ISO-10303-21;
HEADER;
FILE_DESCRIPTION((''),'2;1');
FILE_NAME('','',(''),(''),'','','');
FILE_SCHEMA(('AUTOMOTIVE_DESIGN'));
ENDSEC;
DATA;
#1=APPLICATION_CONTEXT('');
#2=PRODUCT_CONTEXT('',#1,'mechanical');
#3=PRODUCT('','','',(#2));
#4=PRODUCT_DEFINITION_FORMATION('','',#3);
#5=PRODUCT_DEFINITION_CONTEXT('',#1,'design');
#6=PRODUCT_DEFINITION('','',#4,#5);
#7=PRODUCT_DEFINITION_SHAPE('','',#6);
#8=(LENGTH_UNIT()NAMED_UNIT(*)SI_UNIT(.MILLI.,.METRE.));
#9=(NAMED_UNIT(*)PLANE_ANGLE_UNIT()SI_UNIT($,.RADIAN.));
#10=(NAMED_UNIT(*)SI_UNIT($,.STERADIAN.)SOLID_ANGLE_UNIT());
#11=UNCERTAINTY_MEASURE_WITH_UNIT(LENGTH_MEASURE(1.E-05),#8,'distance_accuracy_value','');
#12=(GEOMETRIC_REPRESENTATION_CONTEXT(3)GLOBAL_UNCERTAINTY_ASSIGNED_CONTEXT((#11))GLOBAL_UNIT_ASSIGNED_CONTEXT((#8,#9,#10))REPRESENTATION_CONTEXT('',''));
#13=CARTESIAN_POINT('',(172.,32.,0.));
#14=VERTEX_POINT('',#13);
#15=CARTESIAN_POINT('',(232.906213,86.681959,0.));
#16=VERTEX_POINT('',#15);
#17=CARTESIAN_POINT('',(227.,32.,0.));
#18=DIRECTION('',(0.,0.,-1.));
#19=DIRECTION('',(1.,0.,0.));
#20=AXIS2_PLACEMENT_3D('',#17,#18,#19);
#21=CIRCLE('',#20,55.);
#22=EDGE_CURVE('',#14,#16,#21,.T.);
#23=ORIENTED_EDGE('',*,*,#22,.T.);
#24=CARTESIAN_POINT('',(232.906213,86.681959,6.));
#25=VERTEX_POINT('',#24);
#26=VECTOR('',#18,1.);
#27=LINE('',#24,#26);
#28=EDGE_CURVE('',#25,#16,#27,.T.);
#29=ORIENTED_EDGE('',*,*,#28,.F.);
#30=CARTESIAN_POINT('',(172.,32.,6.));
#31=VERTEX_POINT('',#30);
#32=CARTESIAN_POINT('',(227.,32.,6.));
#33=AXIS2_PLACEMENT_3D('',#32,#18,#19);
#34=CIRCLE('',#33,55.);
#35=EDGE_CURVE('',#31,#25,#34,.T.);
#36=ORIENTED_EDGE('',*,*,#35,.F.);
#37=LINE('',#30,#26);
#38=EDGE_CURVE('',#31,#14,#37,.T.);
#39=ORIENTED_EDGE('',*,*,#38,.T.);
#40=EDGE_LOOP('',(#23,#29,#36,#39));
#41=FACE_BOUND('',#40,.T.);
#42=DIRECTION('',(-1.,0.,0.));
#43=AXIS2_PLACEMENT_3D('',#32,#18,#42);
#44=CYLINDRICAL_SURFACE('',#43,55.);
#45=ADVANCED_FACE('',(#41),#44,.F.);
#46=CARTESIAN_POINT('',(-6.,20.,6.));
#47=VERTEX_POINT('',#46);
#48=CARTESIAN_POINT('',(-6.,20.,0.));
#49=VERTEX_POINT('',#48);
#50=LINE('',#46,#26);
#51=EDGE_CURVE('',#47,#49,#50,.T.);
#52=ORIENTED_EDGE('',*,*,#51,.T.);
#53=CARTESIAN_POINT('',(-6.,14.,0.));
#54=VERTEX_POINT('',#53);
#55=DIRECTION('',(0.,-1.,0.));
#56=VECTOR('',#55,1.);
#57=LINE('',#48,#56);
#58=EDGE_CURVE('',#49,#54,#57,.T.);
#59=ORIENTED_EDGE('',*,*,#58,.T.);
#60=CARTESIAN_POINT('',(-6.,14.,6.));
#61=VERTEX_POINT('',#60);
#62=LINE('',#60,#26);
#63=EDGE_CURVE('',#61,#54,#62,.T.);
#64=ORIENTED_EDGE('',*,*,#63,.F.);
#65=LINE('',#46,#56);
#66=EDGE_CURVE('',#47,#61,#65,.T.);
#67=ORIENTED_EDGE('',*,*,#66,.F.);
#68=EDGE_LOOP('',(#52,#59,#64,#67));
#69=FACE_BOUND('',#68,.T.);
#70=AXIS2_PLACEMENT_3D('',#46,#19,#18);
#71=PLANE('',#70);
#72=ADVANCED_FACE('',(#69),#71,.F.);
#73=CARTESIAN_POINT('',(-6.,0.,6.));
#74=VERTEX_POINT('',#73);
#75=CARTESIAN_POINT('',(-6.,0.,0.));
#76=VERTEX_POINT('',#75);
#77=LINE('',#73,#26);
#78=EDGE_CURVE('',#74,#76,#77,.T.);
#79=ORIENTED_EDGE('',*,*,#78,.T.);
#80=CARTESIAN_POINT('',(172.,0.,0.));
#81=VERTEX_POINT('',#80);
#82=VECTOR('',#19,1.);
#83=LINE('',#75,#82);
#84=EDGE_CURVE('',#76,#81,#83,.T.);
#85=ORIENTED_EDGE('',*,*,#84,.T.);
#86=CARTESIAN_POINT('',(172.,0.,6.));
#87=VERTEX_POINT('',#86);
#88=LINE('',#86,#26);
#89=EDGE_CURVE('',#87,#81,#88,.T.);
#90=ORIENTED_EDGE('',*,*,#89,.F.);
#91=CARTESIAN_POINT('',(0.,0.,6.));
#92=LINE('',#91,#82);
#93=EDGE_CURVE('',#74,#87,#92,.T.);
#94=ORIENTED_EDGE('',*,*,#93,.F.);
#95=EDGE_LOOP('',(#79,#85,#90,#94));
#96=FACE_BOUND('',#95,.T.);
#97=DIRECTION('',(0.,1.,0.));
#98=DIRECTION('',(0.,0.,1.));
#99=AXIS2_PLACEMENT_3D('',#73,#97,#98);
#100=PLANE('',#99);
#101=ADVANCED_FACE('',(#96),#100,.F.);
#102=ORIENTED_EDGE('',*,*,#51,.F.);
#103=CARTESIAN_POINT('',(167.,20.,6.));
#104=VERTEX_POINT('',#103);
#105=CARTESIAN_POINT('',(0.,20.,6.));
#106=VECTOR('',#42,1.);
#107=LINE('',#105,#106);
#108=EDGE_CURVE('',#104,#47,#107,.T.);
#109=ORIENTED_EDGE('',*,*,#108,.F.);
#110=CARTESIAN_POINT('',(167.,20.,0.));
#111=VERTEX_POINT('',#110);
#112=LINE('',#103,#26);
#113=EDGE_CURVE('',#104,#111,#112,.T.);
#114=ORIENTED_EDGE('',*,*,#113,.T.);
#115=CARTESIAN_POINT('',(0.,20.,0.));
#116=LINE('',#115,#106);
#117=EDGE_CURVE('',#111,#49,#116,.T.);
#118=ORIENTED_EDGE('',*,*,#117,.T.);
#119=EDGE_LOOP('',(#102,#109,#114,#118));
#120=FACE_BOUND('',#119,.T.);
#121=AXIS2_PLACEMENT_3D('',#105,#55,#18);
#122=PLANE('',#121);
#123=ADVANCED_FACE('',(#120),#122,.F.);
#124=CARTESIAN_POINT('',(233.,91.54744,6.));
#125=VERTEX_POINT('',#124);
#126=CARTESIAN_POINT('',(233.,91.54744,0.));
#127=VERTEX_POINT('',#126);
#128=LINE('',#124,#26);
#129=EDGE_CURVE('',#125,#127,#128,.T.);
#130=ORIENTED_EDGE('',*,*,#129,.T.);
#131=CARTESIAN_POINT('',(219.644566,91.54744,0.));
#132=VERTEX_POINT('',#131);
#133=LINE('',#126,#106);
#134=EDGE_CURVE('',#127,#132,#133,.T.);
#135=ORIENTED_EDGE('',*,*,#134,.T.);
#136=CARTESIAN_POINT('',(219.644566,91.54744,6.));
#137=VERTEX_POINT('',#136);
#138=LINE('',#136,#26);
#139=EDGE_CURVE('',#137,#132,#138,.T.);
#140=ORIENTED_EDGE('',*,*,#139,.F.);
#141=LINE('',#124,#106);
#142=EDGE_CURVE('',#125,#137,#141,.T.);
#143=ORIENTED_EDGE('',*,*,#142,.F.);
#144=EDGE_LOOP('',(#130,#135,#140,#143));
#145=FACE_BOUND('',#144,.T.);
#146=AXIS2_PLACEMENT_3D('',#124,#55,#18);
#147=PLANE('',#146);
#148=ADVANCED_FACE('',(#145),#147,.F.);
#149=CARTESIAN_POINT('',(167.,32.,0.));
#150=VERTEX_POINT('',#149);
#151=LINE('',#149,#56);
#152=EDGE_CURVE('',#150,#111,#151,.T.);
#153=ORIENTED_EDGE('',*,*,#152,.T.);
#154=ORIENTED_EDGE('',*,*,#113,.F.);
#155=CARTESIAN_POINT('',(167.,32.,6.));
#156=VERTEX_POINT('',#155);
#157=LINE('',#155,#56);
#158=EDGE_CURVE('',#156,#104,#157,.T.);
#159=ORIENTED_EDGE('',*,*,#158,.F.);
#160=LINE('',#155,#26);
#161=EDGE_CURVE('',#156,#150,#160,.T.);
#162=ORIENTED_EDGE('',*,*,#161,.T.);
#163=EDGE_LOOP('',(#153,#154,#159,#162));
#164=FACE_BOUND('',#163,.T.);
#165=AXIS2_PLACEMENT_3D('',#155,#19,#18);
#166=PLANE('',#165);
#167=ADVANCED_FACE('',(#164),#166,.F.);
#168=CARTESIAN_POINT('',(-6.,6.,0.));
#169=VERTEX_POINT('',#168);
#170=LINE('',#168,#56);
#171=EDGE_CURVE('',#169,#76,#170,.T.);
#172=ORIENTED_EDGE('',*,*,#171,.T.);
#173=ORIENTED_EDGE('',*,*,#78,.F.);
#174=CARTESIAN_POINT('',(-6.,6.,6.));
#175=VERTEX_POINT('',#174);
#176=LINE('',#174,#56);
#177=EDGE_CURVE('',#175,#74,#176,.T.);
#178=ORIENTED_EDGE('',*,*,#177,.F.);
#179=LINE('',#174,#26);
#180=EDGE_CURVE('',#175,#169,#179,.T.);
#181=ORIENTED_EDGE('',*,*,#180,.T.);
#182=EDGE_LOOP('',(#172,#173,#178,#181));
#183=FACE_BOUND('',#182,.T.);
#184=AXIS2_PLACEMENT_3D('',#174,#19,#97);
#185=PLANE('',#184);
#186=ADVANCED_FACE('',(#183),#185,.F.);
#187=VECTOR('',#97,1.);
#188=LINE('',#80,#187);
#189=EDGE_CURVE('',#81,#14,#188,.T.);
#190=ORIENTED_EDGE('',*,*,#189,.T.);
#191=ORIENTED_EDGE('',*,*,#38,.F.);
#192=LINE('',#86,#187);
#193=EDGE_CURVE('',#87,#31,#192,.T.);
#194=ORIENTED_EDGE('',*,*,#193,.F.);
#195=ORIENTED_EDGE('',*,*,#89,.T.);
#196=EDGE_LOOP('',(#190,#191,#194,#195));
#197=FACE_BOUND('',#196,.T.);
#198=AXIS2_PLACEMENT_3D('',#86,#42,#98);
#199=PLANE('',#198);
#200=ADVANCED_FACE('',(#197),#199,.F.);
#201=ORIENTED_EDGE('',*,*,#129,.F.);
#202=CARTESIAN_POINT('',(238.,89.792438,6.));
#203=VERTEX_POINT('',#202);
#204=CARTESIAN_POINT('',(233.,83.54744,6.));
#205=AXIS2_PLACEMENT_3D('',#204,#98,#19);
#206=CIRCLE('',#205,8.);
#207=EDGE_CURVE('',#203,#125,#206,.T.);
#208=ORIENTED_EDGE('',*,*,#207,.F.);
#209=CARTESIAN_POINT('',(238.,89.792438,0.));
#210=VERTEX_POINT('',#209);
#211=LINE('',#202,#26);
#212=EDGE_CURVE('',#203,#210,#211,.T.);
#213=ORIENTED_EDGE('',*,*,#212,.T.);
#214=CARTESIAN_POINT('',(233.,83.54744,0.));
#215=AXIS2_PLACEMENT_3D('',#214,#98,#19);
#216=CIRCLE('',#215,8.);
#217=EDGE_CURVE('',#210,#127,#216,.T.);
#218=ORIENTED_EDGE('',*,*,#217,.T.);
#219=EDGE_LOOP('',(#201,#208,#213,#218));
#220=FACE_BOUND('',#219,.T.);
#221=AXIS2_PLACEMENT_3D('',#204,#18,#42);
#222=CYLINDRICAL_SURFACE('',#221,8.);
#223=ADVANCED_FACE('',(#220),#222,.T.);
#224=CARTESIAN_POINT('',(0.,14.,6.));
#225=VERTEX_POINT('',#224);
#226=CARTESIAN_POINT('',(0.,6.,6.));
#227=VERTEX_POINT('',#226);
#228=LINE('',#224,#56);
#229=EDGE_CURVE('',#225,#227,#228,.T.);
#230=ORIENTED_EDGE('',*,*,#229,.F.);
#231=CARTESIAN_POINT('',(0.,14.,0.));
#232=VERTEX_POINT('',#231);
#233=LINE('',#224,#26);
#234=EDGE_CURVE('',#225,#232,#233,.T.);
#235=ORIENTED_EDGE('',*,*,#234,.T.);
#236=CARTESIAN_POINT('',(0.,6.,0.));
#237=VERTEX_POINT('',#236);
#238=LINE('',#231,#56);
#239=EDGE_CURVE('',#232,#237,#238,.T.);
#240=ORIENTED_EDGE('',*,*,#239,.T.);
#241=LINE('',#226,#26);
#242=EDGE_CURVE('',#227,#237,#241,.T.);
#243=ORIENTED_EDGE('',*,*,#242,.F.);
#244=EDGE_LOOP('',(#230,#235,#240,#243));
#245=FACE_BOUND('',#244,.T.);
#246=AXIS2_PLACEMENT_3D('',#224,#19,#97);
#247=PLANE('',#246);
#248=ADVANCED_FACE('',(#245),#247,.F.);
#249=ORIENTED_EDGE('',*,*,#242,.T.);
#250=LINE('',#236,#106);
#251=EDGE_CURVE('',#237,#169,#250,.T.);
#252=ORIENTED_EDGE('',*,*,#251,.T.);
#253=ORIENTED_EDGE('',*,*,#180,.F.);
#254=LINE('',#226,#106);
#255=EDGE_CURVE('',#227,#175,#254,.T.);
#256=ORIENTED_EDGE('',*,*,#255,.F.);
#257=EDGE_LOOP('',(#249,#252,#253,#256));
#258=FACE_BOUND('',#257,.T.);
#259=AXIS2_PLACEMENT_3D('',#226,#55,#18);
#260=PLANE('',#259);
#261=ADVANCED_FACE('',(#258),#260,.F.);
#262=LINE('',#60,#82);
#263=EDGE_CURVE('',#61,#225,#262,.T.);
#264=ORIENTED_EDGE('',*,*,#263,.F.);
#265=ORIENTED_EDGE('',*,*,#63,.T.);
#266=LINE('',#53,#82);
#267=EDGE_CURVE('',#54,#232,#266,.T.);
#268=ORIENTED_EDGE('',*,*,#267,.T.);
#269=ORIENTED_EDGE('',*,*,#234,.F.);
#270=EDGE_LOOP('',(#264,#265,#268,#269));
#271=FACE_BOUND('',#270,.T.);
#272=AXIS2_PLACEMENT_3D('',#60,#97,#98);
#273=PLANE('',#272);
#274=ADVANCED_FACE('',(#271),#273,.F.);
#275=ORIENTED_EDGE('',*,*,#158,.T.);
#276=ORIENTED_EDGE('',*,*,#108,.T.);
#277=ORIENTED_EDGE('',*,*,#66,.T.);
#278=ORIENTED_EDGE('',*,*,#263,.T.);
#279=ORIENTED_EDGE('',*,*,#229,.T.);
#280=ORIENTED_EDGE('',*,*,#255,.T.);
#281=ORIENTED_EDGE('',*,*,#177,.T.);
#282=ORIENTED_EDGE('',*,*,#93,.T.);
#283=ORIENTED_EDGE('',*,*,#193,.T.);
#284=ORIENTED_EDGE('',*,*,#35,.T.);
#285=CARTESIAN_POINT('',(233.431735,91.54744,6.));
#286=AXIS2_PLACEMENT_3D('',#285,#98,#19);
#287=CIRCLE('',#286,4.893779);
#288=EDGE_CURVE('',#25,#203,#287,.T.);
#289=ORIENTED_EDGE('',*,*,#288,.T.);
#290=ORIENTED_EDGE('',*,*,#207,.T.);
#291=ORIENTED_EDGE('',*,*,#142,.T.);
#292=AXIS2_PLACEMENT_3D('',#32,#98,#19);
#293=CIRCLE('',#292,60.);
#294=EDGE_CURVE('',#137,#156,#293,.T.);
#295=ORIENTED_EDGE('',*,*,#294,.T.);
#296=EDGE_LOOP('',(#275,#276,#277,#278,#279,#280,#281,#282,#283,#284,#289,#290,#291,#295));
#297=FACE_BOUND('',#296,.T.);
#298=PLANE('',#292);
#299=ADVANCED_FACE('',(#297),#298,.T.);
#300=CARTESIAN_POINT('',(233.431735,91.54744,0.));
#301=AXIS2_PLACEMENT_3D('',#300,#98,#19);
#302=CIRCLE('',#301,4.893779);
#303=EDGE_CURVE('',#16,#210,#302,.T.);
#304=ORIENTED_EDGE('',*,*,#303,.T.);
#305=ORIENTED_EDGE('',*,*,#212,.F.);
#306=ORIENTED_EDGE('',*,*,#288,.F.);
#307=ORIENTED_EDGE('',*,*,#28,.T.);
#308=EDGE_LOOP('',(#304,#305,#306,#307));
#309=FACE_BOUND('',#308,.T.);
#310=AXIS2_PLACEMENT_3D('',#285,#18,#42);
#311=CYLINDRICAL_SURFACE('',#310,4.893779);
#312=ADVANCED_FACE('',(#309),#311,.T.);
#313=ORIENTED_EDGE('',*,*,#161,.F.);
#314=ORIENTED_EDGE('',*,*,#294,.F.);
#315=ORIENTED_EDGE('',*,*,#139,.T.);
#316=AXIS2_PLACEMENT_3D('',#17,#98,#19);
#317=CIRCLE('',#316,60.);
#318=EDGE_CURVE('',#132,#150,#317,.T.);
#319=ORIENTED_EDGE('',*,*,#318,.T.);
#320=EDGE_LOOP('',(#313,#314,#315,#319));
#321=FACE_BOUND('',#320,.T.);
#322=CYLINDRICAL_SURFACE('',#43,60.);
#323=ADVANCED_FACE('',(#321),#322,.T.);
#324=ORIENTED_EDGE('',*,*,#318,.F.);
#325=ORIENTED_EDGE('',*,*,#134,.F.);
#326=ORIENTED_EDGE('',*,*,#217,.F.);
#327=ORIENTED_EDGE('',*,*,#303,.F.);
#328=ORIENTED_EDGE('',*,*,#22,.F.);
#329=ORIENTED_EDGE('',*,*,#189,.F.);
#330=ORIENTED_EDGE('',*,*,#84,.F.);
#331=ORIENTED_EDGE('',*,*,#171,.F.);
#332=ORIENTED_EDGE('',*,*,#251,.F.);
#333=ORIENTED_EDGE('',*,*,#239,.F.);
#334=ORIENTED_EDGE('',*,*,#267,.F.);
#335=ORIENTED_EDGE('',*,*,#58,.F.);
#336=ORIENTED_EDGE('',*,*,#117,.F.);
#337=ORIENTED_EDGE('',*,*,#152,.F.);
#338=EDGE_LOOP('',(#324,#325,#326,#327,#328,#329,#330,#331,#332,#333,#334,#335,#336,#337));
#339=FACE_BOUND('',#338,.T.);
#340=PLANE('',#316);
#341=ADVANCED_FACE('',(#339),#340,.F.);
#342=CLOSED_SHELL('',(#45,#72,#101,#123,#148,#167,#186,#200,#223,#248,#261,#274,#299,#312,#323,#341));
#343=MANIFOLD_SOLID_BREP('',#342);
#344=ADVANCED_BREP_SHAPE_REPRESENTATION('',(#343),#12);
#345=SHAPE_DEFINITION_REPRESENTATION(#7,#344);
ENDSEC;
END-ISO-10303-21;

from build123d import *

# Parameters (mm, degrees)
EXTRUDE_1_DEPTH = 6


with BuildPart() as part:
    # Эскиз2 → Бобышка-Вытянуть1 (new body)
    with BuildSketch(Plane.XY):
        with BuildLine():
            Line((0, 20), (167, 20))
            Line((167, 20), (167, 32))
            ThreePointArc((167, 32), (182.048214587, 71.740873017), (219.644566271, 91.547439867))
            Line((219.644566271, 91.547439867), (233, 91.547439867))
            ThreePointArc((233, 91.547439867), (235.649529771, 91.095949123), (238, 89.792437865))
            ThreePointArc((238, 89.792437865), (235.982168822, 87.370794766), (232.906213145, 86.681959057))
            ThreePointArc((232.906213145, 86.681959057), (190.256576935, 72.925797017), (172, 32))
            Line((172, 32), (172, 0))
            Line((172, 0), (0, 0))
            Line((0, 0), (-6, 0))
            Line((-6, 0), (-6, 6))
            Line((-6, 6), (0, 6))
            Line((0, 6), (0, 14))
            Line((0, 14), (-6, 14))
            Line((-6, 14), (-6, 20))
            Line((-6, 20), (0, 20))
        make_face()
    extrude(amount=EXTRUDE_1_DEPTH)


solid = part.part
